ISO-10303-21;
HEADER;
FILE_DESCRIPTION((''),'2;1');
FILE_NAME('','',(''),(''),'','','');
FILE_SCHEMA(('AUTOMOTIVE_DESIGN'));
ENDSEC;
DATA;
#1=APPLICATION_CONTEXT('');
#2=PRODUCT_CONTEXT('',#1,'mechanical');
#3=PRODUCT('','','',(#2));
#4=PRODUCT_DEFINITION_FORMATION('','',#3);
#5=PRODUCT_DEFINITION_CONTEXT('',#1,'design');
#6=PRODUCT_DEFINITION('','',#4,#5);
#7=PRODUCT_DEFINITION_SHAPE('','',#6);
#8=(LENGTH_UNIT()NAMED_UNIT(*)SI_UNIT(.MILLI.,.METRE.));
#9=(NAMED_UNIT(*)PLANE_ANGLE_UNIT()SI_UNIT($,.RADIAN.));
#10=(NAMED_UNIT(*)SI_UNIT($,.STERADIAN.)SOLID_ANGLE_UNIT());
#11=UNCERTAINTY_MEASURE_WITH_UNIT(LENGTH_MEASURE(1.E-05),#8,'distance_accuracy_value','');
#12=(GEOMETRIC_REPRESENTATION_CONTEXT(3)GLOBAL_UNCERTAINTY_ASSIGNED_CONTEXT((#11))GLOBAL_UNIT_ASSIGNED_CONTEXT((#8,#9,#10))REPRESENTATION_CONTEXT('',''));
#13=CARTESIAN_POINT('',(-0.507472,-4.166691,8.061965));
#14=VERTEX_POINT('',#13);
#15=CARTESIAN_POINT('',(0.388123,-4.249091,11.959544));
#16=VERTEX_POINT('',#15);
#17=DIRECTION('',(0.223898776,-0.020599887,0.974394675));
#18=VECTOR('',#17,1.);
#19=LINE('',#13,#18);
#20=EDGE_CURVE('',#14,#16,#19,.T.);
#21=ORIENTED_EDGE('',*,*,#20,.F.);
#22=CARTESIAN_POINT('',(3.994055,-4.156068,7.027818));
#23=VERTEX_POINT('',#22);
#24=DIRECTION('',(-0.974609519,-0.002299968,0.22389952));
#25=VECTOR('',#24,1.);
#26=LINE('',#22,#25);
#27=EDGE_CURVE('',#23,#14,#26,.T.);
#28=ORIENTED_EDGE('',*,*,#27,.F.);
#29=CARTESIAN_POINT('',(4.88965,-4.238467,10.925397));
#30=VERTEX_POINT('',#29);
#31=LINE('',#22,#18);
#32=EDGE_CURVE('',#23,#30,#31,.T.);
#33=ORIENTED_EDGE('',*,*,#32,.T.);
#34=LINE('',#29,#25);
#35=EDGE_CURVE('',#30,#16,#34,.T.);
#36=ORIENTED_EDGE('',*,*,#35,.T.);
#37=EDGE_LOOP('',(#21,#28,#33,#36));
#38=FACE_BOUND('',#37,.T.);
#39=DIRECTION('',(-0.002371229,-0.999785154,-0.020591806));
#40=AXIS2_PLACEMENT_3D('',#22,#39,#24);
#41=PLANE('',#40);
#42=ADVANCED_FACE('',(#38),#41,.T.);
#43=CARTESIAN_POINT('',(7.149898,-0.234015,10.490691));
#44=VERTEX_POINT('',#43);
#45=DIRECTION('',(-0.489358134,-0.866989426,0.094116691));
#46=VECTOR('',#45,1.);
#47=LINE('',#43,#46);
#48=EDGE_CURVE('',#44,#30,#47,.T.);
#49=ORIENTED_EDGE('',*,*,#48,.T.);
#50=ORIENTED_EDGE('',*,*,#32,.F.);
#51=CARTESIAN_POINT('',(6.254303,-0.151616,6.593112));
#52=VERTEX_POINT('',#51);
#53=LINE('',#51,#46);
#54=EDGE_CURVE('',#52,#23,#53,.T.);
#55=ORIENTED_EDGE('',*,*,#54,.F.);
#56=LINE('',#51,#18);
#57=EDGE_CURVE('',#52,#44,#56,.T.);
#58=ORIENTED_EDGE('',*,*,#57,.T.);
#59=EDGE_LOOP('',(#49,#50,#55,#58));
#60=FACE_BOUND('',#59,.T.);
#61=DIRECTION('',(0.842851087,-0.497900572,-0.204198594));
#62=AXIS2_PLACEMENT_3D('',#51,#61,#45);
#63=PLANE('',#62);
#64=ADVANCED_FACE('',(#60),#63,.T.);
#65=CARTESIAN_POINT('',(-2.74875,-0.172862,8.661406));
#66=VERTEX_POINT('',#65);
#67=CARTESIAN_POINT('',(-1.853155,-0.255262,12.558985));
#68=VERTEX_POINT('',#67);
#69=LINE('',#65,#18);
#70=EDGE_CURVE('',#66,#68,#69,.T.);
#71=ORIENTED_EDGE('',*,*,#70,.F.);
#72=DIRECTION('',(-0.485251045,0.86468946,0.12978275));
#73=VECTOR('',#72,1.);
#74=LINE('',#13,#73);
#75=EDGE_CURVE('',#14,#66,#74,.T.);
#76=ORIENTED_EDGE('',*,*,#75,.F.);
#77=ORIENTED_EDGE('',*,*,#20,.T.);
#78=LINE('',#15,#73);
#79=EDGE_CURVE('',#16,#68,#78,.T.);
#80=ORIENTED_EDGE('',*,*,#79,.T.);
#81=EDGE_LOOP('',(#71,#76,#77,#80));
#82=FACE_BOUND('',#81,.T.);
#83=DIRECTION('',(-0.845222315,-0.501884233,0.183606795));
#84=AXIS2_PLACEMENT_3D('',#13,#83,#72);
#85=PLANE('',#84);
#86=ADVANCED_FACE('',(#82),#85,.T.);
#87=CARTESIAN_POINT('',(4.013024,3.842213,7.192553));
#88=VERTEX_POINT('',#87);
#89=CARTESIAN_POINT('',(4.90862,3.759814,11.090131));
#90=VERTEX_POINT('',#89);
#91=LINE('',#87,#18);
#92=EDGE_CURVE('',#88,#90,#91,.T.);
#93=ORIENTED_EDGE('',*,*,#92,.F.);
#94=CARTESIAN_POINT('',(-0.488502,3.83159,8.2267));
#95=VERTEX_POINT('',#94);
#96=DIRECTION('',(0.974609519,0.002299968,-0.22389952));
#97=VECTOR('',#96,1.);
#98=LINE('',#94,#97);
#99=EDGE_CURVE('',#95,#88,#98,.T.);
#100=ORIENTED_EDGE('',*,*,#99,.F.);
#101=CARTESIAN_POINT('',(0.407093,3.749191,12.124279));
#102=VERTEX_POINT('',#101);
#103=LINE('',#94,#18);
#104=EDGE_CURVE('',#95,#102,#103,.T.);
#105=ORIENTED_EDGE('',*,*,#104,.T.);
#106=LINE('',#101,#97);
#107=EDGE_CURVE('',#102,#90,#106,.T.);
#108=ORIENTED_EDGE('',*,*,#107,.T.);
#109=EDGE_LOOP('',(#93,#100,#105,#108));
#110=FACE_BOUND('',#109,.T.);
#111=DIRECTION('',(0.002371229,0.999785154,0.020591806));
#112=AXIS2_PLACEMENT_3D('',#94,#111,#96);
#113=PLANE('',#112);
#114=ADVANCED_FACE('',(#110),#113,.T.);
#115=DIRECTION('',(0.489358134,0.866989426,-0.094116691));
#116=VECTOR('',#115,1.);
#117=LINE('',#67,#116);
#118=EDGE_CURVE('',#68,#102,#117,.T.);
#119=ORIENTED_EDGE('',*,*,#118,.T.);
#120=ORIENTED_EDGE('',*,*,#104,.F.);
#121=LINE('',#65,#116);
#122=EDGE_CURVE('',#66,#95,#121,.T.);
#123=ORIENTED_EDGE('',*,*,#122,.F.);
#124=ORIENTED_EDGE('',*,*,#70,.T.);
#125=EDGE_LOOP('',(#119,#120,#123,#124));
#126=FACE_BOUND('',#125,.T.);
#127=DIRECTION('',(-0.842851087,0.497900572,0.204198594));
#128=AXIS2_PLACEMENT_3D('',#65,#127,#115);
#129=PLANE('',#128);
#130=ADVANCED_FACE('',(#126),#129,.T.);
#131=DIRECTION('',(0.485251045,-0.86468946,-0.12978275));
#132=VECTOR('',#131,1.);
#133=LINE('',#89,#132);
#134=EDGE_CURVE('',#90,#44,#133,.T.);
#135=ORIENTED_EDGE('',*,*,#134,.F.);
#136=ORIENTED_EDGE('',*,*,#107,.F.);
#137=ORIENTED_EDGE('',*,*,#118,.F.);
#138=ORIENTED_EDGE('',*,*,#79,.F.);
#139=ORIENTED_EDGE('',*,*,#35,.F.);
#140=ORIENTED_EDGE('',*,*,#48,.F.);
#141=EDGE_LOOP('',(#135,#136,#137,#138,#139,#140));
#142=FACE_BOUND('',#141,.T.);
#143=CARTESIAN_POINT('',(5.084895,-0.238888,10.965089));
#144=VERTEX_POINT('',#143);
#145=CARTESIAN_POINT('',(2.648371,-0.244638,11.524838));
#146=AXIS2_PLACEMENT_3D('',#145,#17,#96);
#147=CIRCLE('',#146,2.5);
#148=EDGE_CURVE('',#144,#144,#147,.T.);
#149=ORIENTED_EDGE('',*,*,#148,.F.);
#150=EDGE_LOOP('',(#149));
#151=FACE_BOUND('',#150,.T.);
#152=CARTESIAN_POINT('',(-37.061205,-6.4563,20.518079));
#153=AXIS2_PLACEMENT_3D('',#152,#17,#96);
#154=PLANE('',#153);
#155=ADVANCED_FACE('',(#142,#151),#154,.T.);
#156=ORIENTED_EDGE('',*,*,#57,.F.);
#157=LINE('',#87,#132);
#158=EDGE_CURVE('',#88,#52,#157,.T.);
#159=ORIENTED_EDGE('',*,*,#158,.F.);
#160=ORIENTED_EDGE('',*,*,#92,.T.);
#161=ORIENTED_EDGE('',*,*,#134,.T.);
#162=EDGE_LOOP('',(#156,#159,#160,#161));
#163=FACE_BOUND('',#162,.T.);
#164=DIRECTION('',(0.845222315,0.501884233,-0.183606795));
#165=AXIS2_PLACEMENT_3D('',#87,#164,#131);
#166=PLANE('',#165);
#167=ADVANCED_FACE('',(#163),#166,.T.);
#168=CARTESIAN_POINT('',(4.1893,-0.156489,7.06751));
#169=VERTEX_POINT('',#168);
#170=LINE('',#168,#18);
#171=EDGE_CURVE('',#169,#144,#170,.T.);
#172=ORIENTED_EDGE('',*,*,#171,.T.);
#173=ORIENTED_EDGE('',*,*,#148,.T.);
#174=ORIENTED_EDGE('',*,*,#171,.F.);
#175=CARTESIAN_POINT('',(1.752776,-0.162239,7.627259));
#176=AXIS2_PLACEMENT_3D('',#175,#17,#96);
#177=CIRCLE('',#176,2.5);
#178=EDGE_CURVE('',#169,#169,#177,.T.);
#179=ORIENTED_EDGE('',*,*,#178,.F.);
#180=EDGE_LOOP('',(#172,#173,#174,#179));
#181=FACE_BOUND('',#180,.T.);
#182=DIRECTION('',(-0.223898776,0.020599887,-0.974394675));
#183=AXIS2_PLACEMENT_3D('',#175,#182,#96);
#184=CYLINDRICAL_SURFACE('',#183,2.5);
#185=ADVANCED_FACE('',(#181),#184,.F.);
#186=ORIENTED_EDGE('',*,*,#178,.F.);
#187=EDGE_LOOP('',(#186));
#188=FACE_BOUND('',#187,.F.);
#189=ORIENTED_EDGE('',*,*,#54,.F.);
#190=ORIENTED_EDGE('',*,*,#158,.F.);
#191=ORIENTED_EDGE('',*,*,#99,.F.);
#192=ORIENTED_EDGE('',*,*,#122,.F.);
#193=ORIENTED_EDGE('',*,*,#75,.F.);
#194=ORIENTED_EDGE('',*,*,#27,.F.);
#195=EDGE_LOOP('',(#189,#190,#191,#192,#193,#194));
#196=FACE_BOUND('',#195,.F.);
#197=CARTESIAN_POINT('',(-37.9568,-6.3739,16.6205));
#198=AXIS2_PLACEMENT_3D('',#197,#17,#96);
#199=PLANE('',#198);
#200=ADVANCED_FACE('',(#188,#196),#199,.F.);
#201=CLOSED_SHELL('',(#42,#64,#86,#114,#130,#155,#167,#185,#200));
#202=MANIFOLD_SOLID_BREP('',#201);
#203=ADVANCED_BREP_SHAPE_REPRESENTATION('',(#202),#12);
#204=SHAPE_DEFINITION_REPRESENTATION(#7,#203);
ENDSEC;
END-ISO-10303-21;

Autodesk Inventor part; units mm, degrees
ref_plane "YZ Plane" through (0, 0, 0) normal (1, 0, 0) x (0, 1, 0)
ref_plane "XZ Plane" through (0, 0, 0) normal (0, 1, 0) x (-1, 0, 0)
ref_plane "XY Plane" through (0, 0, 0) normal (0, 0, 1) x (1, 0, 0)
ref_plane "Work Plane2" through (-37.9568, -6.3739, 16.6205) normal (0.2239, -0.0206, 0.9744) x (0.9746, 0.0023, -0.2239)
sketch "Sketch1" plane through (-37.9568, -6.3739, 16.6205) normal (0.2239, -0.0206, 0.9744) x (0.9746, 0.0023, -0.2239)
  circle A0 centre (40.7292, 6.1193) radius 2.5
  line L0 (45.348, 6.1193) -> (43.0386, 2.1193)
  line L1 (43.0386, 2.1193) -> (38.4198, 2.1193)
  line L2 (38.4198, 2.1193) -> (36.1104, 6.1193)
  line L3 (36.1104, 6.1193) -> (38.4198, 10.1193)
  line L4 (38.4198, 10.1193) -> (43.0386, 10.1193)
  line L5 (43.0386, 10.1193) -> (45.348, 6.1193)
  point P0 (40.7292, 6.1193)
  dimension "d0" = 5
  dimension "d1" = 8
extrude "Extrusion1" add sketch "Sketch1" along normal blind 4
properties part number "m5_nut"
